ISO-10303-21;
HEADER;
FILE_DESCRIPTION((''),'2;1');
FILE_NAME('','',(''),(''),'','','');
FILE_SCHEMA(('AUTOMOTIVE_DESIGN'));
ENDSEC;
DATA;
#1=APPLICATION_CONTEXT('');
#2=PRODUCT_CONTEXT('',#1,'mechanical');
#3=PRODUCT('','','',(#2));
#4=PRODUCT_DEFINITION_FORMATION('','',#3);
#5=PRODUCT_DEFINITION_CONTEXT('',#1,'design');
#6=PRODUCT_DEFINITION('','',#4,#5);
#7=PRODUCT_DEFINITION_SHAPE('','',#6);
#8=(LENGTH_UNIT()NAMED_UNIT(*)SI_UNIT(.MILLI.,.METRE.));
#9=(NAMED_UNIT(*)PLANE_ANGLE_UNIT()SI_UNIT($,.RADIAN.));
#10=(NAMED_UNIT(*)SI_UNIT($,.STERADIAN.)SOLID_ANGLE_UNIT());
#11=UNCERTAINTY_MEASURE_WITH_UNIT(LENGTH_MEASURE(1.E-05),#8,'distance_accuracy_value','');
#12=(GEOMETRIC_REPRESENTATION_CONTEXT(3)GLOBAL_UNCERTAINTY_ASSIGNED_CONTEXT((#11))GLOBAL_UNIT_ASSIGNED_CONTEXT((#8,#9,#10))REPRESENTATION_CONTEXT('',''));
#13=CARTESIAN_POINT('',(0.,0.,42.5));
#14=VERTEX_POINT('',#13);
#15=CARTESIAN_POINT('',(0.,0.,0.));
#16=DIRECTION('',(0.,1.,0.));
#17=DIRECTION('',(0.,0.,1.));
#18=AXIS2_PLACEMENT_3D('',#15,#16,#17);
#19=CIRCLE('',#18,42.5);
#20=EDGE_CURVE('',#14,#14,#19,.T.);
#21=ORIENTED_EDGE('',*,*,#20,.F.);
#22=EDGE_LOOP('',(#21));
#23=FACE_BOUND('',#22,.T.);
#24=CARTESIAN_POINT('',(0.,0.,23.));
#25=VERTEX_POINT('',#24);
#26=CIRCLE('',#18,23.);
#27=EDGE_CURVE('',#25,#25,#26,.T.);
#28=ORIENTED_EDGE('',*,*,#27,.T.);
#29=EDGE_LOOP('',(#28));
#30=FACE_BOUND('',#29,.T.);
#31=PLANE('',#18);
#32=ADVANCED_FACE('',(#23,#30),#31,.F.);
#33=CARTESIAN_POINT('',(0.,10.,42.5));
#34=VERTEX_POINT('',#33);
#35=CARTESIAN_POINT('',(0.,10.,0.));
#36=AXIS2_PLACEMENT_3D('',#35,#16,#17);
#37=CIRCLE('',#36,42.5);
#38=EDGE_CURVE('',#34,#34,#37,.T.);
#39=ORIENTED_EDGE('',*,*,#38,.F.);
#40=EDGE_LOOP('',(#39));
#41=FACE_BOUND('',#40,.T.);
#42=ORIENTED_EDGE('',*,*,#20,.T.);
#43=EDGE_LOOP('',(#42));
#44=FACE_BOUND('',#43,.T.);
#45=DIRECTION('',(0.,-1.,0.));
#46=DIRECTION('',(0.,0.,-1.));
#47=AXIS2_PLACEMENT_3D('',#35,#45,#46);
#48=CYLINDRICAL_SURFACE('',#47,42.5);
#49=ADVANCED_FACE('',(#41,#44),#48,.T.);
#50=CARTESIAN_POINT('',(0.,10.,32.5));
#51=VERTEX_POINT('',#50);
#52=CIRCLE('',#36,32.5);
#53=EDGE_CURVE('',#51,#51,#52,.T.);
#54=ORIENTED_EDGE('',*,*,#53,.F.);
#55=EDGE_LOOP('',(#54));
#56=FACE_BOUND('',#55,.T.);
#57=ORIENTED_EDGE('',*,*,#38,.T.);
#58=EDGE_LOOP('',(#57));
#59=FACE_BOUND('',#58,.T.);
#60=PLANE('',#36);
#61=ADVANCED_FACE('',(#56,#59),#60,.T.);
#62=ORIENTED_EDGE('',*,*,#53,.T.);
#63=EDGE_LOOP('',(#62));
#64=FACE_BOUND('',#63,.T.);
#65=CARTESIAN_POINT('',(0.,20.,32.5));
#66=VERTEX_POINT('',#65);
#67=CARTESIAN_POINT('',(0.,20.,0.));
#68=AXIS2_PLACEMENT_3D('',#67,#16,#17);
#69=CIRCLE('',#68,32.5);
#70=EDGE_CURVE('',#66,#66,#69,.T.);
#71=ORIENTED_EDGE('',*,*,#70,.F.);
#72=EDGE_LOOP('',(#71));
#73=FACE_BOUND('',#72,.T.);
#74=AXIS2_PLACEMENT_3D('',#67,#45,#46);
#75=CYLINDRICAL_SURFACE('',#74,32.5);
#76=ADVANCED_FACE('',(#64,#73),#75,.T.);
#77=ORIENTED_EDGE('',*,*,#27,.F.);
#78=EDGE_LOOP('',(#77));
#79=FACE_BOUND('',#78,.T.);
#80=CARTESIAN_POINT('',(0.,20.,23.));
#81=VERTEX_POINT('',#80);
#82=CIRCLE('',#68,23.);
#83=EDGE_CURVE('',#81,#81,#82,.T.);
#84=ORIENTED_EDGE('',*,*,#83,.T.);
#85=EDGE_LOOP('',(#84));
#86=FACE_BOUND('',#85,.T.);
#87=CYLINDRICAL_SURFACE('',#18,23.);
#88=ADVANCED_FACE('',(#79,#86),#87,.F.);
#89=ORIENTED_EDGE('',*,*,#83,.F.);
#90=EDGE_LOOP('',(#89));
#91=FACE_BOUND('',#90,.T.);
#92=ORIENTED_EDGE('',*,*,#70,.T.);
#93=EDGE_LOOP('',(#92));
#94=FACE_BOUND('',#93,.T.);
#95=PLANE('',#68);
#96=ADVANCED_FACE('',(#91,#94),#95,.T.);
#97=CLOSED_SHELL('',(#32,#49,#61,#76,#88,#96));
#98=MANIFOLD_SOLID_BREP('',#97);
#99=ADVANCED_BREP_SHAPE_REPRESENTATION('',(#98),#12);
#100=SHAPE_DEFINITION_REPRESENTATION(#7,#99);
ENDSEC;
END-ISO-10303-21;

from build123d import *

# Parameters (mm, degrees)
SKETCH1_R           = 42.5
BOSS_EXTRUDE1_DEPTH = 10
SKETCH2_R           = 32.5
BOSS_EXTRUDE2_DEPTH = 10
SKETCH3_R           = 23
CUT_EXTRUDE1_DEPTH  = 64.344297297


with BuildPart() as part:
    # Sketch1 → Boss-Extrude1 (new body)
    with BuildSketch(Plane(origin=(0, 0, 0), x_dir=(1, 0, 0), z_dir=(0, 1, 0))):
        with Locations(Location((0, 0, 0), (0, 0, 270))):
            Circle(SKETCH1_R)
    extrude(amount=BOSS_EXTRUDE1_DEPTH)

    # Sketch2 → Boss-Extrude2 (add)
    with BuildSketch(Plane(origin=(0, 10, 0), x_dir=(1, 0, 0), z_dir=(0, 1, 0))):
        with Locations(Location((0, 0, 0), (0, 0, 270))):
            Circle(SKETCH2_R)
    extrude(amount=BOSS_EXTRUDE2_DEPTH)

    # Sketch3 → Cut-Extrude1 (cut, through all)
    with BuildSketch(Plane(origin=(0, 20, 0), x_dir=(1, 0, 0), z_dir=(0, 1, 0))):
        with Locations(Location((0, 0, 0), (0, 0, 270))):
            Circle(SKETCH3_R)
    extrude(amount=-CUT_EXTRUDE1_DEPTH, mode=Mode.SUBTRACT)


solid = part.part
